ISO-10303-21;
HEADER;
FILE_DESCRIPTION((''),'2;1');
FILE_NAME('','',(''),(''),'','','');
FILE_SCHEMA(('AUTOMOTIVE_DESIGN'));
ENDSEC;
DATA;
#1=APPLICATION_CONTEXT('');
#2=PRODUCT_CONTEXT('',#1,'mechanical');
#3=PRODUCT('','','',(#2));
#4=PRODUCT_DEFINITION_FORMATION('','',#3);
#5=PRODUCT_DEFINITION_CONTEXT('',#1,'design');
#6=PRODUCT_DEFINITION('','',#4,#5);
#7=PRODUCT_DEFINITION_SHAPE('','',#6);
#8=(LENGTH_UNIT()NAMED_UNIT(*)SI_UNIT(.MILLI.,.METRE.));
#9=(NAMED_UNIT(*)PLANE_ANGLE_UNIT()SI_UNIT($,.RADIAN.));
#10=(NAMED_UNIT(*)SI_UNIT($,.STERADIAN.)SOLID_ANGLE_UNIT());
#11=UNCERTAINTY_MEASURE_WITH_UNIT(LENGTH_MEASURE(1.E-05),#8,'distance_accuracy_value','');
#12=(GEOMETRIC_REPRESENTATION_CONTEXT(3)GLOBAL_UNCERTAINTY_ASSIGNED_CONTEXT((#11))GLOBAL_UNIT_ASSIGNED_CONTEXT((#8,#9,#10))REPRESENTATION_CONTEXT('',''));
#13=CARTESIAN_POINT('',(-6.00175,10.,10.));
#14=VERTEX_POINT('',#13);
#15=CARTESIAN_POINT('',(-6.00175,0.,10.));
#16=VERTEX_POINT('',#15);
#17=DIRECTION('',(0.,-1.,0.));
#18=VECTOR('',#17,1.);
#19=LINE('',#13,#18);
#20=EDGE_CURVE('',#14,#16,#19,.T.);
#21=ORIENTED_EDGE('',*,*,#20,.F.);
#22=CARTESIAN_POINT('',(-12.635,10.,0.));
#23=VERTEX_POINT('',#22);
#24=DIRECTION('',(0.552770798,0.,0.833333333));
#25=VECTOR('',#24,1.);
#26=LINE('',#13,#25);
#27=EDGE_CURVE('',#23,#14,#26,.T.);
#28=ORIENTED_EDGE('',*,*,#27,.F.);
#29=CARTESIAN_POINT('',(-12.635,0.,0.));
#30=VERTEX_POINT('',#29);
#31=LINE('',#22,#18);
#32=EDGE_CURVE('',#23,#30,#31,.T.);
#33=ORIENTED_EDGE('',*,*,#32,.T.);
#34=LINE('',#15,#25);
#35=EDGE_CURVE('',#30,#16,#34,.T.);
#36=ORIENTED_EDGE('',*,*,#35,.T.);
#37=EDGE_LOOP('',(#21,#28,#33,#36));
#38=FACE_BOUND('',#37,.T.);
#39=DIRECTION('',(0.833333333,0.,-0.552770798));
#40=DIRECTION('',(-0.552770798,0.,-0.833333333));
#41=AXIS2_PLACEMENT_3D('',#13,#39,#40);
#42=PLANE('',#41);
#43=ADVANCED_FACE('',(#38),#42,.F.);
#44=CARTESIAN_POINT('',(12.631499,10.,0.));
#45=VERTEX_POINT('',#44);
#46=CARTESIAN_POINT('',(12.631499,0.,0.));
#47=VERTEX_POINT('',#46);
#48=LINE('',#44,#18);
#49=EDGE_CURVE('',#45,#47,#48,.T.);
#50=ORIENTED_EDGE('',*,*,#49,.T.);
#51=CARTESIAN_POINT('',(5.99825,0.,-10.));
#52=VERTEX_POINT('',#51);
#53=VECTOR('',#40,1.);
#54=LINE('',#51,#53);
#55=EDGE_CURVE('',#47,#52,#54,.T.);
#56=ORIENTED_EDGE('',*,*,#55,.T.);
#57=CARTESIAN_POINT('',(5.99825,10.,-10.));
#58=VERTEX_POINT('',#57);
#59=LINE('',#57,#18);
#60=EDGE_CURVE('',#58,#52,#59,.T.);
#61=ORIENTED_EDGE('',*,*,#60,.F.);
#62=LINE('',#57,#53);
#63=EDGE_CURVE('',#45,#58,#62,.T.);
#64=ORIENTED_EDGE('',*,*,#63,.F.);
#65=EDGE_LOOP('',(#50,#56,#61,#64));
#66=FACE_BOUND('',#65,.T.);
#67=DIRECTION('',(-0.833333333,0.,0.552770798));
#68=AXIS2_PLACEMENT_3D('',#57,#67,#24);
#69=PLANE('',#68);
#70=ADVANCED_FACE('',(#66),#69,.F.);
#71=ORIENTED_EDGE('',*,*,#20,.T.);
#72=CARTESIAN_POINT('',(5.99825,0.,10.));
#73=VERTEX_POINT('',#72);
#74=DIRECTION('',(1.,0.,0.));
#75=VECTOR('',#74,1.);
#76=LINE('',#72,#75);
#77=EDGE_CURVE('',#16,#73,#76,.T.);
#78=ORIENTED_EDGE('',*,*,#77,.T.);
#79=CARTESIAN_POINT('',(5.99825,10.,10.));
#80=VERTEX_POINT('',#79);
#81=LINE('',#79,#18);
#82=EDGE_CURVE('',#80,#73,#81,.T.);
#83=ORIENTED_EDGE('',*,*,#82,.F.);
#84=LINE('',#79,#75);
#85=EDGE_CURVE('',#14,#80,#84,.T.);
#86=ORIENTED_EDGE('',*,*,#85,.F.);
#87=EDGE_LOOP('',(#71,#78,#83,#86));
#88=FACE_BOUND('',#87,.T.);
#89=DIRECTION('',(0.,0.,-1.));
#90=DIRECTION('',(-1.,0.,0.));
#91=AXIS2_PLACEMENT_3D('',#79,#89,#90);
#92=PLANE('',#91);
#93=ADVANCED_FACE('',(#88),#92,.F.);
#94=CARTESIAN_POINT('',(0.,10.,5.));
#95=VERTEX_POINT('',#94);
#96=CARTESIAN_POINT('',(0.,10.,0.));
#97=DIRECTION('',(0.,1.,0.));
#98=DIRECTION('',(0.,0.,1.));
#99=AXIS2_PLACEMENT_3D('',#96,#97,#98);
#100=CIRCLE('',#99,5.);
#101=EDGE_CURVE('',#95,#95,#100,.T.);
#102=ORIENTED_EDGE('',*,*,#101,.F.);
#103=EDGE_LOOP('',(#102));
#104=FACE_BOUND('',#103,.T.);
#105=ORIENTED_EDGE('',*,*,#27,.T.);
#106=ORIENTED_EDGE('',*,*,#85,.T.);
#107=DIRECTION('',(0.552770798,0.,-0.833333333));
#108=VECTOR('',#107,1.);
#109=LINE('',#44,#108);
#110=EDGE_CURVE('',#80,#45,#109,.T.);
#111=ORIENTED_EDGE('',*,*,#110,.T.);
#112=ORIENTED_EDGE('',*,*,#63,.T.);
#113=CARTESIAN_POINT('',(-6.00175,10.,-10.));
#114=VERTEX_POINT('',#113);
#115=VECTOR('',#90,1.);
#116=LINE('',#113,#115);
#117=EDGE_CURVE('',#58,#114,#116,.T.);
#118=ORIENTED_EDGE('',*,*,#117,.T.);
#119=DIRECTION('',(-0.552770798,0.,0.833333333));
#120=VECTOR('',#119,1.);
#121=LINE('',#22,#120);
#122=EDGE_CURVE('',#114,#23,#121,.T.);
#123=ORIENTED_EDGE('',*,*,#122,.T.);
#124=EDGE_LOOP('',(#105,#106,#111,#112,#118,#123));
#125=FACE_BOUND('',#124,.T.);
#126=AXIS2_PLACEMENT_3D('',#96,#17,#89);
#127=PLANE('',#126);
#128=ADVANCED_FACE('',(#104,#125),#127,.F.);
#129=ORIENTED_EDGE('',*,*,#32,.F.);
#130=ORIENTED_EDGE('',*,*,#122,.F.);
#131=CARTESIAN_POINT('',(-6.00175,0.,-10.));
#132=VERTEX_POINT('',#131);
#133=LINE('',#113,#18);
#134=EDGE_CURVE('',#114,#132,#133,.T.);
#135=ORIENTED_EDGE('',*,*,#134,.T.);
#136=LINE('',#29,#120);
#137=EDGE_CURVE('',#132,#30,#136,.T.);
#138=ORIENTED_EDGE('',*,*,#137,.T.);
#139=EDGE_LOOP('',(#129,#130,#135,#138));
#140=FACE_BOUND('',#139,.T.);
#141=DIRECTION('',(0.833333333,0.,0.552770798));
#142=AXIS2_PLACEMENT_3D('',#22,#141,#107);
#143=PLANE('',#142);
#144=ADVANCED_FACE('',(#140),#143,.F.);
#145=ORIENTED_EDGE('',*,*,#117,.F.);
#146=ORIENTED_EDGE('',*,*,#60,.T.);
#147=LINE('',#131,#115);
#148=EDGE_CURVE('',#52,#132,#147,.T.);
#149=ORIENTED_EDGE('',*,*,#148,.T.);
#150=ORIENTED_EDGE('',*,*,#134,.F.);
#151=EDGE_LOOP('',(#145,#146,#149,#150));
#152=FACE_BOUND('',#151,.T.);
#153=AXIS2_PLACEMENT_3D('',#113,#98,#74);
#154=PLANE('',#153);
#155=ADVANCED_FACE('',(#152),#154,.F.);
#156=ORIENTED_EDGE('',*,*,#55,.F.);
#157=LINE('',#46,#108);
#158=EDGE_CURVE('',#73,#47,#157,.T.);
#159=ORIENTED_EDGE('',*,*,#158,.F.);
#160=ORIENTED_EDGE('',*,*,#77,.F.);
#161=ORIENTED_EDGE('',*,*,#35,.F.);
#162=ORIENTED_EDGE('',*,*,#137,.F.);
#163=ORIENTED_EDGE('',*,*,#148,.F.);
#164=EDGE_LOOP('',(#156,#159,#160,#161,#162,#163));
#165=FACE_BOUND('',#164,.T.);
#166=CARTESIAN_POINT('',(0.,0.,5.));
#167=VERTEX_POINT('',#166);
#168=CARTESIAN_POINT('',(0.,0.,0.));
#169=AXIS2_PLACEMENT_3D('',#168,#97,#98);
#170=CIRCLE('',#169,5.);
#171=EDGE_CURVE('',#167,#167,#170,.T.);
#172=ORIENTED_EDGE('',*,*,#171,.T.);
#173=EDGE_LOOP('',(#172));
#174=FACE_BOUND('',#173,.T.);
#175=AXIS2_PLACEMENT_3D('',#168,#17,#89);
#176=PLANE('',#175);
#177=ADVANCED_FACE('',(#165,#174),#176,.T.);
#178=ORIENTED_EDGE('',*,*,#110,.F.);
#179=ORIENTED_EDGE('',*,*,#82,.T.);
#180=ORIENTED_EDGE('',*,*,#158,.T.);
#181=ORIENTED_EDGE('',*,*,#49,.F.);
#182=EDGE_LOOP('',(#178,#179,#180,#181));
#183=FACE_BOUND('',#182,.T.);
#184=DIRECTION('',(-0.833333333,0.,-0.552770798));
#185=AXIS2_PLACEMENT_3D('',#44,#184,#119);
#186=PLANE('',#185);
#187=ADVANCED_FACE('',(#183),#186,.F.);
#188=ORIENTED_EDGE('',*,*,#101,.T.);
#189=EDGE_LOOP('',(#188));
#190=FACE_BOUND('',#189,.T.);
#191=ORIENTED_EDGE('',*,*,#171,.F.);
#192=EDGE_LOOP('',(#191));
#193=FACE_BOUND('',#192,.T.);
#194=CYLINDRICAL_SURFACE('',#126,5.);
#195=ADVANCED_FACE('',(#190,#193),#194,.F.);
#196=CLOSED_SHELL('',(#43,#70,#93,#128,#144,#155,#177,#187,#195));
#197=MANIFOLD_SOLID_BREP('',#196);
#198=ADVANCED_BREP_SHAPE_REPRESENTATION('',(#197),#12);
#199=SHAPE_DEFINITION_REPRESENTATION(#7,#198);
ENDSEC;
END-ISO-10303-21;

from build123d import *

# Parameters (mm, degrees)
SKETCH1_R           = 5
BOSS_EXTRUDE1_DEPTH = 10


with BuildPart() as part:
    # Sketch1 → Boss-Extrude1 (new body)
    with BuildSketch(Plane(origin=(0, 0, 0), x_dir=(1, 0, 0), z_dir=(0, 1, 0))):
        Polygon((-6.001750419, 10), (5.998249581, 10), (12.631499161, 0), (5.998249581, -10), (-6.001750419, -10), (-12.635, 0), align=None)
        Circle(SKETCH1_R, mode=Mode.SUBTRACT)
    extrude(amount=BOSS_EXTRUDE1_DEPTH)


solid = part.part
